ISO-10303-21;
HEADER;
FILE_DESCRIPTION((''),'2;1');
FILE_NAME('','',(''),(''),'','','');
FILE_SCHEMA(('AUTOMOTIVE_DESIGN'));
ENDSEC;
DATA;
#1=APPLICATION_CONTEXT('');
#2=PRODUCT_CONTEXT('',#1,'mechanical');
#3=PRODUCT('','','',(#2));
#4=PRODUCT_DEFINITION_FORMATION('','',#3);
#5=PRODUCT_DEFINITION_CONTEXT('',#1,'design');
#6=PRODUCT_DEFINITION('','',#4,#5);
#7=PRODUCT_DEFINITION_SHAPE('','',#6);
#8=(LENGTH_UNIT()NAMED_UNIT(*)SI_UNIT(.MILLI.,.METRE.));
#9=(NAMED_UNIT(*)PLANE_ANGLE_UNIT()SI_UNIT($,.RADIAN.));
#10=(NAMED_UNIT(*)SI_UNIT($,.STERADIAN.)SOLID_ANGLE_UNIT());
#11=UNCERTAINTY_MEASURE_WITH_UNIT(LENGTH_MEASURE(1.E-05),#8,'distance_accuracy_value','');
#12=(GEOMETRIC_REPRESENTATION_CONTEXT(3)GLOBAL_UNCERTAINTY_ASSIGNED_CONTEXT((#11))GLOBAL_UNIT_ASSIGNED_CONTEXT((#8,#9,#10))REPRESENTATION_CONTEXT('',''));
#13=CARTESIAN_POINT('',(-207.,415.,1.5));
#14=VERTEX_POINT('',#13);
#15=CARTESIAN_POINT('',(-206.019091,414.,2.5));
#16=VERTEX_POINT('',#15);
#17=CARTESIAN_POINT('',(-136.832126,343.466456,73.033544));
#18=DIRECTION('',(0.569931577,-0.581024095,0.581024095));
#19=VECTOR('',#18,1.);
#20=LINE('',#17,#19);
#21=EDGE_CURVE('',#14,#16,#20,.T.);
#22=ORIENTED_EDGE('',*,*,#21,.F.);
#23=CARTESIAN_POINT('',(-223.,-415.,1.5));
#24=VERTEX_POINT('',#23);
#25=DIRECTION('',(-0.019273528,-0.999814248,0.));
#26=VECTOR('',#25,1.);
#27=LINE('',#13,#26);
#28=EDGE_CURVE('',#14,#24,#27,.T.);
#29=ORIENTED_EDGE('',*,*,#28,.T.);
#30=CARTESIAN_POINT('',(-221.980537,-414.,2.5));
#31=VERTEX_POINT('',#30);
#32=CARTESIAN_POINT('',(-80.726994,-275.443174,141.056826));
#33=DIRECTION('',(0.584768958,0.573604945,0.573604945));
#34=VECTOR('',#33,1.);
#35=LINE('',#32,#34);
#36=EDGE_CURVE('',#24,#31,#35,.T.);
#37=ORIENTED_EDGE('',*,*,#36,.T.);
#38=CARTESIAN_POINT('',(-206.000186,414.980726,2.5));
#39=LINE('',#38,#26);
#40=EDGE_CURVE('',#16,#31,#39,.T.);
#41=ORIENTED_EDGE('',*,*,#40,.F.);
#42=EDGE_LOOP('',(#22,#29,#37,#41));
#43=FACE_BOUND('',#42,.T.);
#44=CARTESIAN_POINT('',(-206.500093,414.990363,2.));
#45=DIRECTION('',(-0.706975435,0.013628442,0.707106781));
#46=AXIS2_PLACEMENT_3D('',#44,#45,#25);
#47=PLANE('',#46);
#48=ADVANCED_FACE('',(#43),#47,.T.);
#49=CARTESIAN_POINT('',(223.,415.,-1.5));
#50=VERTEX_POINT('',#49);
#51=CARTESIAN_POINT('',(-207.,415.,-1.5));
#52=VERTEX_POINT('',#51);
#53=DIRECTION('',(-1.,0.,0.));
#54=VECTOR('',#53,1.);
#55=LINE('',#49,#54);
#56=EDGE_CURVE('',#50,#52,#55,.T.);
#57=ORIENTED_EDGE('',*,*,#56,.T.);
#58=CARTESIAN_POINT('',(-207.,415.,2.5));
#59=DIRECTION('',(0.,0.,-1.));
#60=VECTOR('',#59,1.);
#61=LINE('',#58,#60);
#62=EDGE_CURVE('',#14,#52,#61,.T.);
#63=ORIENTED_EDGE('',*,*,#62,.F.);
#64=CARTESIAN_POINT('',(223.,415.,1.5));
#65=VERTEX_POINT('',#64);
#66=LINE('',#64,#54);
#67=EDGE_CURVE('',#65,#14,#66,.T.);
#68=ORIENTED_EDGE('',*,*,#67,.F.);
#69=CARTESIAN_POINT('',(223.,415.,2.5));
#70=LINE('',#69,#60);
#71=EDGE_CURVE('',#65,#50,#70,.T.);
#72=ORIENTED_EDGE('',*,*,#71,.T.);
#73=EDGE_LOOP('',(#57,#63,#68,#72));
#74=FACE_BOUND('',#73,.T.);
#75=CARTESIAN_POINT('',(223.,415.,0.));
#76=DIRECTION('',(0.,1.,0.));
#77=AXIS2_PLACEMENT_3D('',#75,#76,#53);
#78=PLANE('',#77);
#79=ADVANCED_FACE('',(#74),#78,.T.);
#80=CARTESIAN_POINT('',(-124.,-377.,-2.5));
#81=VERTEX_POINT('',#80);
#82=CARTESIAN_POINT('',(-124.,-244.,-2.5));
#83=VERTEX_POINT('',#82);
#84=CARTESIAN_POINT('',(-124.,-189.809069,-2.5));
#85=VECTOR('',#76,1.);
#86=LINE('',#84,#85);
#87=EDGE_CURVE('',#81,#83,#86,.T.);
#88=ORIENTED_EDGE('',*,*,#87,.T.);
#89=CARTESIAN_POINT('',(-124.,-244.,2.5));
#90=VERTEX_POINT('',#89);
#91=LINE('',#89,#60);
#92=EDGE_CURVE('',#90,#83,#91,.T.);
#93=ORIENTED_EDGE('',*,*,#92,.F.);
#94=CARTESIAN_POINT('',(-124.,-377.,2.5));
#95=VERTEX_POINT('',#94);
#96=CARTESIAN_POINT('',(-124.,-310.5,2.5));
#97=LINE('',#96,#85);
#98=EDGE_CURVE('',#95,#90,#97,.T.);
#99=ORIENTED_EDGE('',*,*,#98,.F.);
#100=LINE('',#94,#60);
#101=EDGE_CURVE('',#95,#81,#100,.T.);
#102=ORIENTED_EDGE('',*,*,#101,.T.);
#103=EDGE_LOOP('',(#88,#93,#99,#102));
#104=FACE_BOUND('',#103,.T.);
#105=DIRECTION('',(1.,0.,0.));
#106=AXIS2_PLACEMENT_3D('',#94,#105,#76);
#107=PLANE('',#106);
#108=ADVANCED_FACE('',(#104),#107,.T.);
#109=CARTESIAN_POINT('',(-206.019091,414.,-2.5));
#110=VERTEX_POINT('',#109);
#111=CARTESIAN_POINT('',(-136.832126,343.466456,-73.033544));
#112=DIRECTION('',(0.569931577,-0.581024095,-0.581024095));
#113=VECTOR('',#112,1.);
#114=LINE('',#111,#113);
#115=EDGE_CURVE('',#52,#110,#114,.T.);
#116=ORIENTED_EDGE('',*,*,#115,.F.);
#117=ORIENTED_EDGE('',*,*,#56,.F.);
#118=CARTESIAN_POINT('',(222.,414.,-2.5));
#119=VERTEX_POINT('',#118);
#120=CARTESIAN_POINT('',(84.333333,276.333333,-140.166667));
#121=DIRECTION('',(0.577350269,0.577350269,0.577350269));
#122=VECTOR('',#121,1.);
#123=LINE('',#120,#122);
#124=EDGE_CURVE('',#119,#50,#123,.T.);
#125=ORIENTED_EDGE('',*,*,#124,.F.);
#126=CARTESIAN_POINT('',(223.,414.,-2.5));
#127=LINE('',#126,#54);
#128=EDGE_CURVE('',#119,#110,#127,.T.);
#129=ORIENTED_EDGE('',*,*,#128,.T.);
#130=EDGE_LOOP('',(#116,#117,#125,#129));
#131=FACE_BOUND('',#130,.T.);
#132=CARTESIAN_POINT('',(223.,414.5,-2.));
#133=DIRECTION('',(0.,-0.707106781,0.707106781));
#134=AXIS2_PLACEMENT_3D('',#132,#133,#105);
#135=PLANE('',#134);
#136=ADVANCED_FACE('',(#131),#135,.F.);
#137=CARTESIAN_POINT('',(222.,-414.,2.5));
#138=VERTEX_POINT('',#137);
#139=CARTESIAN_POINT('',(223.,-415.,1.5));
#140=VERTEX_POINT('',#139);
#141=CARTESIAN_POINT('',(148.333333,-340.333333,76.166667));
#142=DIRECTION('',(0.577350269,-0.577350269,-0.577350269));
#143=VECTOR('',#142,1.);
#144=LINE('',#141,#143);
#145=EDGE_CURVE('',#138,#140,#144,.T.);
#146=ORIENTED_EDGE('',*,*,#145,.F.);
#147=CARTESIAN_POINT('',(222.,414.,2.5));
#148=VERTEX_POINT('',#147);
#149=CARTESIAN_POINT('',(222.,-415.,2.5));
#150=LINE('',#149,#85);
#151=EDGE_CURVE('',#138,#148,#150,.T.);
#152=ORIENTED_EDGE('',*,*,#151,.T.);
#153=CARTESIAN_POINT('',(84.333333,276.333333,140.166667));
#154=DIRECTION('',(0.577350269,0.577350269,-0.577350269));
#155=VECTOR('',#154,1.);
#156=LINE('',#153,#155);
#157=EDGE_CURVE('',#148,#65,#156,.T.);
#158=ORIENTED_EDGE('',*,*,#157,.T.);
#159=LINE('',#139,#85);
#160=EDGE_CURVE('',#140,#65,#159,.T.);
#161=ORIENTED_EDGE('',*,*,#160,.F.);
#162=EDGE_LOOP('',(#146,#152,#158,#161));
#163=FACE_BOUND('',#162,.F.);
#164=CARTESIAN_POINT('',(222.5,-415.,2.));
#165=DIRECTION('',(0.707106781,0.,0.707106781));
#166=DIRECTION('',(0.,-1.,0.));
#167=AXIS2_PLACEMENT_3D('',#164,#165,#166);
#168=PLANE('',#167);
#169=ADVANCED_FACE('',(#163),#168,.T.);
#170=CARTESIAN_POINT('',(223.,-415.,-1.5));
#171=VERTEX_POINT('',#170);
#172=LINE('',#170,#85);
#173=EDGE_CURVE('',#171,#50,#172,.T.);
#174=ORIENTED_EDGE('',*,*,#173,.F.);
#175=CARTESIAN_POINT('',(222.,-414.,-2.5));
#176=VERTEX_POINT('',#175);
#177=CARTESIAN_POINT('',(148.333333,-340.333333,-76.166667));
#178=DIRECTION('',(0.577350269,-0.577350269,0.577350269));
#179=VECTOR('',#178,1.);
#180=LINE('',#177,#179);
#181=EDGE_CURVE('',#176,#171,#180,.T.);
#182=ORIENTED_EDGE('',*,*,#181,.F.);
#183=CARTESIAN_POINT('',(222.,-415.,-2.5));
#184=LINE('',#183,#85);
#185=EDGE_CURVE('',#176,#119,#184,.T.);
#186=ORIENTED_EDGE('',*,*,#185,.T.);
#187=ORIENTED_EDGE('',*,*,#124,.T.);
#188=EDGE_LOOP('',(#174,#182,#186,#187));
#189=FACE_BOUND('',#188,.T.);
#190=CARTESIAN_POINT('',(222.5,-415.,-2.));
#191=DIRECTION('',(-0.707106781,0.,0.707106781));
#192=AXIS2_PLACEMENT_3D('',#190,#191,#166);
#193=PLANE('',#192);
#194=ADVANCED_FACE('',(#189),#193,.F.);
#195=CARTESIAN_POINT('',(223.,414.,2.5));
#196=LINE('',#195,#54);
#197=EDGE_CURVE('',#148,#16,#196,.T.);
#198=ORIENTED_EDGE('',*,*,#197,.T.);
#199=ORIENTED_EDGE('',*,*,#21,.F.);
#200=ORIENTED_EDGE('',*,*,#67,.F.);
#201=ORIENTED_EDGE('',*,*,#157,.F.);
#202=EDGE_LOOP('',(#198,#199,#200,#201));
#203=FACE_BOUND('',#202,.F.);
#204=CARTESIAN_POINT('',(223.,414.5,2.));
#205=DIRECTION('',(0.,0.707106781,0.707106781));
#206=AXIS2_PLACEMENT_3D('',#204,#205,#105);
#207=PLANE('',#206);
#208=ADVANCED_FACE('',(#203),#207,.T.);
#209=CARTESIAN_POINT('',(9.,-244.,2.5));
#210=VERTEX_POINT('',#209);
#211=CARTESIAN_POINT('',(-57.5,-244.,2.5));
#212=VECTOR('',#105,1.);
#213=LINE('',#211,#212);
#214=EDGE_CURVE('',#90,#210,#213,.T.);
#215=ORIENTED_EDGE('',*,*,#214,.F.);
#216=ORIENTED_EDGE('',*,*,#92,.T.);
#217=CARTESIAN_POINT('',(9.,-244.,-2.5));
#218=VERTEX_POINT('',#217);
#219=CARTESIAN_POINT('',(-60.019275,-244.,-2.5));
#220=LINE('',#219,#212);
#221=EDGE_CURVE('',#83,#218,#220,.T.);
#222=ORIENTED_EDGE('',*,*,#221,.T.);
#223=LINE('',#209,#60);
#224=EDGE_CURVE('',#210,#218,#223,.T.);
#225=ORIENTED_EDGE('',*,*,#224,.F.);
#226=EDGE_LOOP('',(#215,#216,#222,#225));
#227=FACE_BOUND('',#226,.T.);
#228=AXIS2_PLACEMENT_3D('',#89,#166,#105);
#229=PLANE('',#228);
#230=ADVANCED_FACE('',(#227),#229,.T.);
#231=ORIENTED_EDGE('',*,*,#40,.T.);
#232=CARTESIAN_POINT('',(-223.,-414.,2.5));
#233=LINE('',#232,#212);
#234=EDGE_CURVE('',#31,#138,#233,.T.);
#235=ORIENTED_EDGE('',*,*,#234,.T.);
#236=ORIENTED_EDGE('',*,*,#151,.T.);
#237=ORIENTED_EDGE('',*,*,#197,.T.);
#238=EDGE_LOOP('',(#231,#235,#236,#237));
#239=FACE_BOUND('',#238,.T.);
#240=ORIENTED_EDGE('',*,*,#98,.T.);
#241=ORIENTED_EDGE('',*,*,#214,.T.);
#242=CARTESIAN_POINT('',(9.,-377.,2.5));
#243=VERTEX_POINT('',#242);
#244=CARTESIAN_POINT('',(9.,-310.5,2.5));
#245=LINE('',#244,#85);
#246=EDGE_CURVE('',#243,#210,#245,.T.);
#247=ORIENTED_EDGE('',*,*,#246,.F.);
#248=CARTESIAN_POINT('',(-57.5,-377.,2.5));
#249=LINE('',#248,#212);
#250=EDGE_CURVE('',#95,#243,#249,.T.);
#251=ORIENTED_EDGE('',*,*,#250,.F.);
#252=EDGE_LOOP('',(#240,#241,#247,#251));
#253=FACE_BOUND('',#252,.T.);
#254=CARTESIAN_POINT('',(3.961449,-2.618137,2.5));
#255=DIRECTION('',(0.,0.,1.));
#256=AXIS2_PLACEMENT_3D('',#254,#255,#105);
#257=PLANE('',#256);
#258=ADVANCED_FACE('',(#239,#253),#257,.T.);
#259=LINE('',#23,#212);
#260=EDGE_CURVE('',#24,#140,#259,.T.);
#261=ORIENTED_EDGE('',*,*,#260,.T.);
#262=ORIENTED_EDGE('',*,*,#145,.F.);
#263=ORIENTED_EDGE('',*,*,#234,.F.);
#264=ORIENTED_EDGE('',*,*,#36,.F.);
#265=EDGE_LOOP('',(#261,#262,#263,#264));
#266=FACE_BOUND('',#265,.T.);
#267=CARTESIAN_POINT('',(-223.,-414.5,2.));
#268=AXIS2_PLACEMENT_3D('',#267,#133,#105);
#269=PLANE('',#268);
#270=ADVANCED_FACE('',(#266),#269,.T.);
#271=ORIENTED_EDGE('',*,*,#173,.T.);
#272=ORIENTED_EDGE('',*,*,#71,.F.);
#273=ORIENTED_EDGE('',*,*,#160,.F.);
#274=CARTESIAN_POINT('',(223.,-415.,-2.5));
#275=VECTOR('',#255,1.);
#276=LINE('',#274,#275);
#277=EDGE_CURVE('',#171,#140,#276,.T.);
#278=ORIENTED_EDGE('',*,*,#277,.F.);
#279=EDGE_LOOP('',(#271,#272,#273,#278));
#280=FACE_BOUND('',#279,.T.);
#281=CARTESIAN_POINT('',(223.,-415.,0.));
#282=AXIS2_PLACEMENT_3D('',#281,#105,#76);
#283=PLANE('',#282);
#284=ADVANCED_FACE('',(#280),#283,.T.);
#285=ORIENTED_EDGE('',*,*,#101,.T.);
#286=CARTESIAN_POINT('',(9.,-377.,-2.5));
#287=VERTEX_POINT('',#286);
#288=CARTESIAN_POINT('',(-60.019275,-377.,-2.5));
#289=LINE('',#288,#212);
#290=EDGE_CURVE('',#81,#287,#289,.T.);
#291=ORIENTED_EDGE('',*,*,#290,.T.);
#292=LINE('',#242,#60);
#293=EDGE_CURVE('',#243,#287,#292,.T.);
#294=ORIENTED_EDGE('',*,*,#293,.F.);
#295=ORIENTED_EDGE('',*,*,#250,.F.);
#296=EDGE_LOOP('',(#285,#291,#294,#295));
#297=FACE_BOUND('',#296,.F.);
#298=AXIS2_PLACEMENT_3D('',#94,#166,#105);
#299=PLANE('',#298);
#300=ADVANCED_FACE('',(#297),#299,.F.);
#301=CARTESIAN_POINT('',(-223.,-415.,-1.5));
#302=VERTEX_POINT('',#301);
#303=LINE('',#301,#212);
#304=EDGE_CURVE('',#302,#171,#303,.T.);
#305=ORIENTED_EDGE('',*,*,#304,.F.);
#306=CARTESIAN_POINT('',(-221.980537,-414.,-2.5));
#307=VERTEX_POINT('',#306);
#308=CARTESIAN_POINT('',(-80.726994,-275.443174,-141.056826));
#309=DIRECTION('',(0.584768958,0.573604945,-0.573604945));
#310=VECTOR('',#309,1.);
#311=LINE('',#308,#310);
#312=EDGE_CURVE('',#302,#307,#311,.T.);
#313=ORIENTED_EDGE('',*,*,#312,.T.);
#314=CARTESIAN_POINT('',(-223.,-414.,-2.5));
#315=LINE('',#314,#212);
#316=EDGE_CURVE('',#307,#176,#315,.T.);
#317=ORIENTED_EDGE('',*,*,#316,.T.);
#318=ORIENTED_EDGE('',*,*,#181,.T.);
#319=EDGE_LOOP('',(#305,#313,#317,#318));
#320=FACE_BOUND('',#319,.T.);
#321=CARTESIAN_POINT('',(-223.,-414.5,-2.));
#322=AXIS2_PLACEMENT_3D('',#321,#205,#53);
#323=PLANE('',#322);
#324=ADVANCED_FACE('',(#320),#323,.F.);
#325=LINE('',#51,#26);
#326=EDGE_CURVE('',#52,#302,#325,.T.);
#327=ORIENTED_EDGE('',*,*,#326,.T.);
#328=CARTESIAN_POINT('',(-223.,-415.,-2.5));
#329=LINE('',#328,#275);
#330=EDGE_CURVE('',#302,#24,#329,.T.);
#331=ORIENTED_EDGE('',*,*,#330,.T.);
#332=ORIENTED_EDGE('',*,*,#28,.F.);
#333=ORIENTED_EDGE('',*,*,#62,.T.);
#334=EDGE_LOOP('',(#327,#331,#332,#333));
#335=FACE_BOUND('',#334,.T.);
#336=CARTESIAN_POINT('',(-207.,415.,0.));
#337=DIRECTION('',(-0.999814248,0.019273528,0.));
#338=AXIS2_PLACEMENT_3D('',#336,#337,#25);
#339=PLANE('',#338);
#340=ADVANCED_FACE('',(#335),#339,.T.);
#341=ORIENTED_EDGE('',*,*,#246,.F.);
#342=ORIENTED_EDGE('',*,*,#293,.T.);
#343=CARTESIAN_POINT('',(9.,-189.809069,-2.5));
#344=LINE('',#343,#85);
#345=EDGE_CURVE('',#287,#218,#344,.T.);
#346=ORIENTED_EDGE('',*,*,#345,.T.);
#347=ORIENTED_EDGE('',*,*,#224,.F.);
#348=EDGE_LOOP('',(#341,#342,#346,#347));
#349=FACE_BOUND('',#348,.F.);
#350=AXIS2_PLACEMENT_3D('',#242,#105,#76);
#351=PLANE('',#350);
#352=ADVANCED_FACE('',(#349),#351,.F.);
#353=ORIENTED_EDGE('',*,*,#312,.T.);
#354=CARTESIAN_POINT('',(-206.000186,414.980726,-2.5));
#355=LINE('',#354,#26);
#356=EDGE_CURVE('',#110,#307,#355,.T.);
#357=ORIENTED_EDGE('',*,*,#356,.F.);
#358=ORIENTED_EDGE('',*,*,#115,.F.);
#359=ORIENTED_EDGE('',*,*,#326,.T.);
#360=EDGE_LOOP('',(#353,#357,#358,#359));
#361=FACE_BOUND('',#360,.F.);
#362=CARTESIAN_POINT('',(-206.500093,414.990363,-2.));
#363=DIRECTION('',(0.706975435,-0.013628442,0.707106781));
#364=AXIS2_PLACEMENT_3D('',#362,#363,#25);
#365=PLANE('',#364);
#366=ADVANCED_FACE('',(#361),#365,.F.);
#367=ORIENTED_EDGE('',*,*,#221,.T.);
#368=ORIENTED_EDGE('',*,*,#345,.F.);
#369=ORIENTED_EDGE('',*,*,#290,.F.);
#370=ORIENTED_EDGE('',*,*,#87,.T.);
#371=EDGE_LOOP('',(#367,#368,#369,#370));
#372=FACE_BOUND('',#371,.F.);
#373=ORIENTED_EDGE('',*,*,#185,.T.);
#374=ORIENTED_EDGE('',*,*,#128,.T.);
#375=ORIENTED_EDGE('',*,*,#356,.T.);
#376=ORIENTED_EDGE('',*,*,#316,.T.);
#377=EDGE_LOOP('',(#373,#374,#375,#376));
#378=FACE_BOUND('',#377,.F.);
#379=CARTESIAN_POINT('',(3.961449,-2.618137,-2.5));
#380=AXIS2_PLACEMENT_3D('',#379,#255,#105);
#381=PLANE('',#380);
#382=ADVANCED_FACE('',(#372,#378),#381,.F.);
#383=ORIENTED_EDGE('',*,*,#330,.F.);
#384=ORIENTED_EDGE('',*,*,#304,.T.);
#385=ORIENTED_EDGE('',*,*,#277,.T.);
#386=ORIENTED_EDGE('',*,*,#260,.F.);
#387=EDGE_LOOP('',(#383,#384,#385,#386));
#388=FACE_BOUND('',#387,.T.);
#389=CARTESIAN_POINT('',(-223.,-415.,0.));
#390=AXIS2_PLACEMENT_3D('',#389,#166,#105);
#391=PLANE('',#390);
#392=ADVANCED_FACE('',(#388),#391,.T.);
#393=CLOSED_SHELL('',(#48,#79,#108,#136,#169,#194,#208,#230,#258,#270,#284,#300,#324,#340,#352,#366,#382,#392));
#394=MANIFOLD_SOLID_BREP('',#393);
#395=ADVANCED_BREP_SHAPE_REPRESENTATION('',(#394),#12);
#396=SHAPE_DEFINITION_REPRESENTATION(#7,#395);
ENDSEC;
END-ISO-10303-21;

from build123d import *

# Parameters (mm, degrees)
F1_DEPTH = 2.5
F2_W     = 133
F2_H     = 133
F3_DEPTH = 5.001
F4_SIZE  = 1


with BuildPart() as f1:
    # F0 (on Top) → F1 (new body, symmetric)
    with BuildSketch(Plane.XY):
        Polygon((-207, 415), (-223, -415), (223, -415), (223, 415), align=None)
    extrude(amount=F1_DEPTH, both=True)

    # F2 (on face) → F3 (cut, through all)
    with BuildSketch(Plane.XY.offset(2.5)):
        with Locations((-57.5, -310.5)):
            Rectangle(F2_W, F2_H)
    extrude(amount=-F3_DEPTH, mode=Mode.SUBTRACT)

    # F4
    f4_edges = [f1.edges().sort_by_distance(p)[0] for p in [
        (-215, 0, 2.5),
        (-215, 0, -2.5),
        (8, 415, 2.5),
        (8, 415, -2.5),
        (223, 0, 2.5),
        (223, 0, -2.5),
        (0, -415, 2.5),
        (0, -415, -2.5),
    ]]
    chamfer(f4_edges, length=F4_SIZE)


solid = f1.part
